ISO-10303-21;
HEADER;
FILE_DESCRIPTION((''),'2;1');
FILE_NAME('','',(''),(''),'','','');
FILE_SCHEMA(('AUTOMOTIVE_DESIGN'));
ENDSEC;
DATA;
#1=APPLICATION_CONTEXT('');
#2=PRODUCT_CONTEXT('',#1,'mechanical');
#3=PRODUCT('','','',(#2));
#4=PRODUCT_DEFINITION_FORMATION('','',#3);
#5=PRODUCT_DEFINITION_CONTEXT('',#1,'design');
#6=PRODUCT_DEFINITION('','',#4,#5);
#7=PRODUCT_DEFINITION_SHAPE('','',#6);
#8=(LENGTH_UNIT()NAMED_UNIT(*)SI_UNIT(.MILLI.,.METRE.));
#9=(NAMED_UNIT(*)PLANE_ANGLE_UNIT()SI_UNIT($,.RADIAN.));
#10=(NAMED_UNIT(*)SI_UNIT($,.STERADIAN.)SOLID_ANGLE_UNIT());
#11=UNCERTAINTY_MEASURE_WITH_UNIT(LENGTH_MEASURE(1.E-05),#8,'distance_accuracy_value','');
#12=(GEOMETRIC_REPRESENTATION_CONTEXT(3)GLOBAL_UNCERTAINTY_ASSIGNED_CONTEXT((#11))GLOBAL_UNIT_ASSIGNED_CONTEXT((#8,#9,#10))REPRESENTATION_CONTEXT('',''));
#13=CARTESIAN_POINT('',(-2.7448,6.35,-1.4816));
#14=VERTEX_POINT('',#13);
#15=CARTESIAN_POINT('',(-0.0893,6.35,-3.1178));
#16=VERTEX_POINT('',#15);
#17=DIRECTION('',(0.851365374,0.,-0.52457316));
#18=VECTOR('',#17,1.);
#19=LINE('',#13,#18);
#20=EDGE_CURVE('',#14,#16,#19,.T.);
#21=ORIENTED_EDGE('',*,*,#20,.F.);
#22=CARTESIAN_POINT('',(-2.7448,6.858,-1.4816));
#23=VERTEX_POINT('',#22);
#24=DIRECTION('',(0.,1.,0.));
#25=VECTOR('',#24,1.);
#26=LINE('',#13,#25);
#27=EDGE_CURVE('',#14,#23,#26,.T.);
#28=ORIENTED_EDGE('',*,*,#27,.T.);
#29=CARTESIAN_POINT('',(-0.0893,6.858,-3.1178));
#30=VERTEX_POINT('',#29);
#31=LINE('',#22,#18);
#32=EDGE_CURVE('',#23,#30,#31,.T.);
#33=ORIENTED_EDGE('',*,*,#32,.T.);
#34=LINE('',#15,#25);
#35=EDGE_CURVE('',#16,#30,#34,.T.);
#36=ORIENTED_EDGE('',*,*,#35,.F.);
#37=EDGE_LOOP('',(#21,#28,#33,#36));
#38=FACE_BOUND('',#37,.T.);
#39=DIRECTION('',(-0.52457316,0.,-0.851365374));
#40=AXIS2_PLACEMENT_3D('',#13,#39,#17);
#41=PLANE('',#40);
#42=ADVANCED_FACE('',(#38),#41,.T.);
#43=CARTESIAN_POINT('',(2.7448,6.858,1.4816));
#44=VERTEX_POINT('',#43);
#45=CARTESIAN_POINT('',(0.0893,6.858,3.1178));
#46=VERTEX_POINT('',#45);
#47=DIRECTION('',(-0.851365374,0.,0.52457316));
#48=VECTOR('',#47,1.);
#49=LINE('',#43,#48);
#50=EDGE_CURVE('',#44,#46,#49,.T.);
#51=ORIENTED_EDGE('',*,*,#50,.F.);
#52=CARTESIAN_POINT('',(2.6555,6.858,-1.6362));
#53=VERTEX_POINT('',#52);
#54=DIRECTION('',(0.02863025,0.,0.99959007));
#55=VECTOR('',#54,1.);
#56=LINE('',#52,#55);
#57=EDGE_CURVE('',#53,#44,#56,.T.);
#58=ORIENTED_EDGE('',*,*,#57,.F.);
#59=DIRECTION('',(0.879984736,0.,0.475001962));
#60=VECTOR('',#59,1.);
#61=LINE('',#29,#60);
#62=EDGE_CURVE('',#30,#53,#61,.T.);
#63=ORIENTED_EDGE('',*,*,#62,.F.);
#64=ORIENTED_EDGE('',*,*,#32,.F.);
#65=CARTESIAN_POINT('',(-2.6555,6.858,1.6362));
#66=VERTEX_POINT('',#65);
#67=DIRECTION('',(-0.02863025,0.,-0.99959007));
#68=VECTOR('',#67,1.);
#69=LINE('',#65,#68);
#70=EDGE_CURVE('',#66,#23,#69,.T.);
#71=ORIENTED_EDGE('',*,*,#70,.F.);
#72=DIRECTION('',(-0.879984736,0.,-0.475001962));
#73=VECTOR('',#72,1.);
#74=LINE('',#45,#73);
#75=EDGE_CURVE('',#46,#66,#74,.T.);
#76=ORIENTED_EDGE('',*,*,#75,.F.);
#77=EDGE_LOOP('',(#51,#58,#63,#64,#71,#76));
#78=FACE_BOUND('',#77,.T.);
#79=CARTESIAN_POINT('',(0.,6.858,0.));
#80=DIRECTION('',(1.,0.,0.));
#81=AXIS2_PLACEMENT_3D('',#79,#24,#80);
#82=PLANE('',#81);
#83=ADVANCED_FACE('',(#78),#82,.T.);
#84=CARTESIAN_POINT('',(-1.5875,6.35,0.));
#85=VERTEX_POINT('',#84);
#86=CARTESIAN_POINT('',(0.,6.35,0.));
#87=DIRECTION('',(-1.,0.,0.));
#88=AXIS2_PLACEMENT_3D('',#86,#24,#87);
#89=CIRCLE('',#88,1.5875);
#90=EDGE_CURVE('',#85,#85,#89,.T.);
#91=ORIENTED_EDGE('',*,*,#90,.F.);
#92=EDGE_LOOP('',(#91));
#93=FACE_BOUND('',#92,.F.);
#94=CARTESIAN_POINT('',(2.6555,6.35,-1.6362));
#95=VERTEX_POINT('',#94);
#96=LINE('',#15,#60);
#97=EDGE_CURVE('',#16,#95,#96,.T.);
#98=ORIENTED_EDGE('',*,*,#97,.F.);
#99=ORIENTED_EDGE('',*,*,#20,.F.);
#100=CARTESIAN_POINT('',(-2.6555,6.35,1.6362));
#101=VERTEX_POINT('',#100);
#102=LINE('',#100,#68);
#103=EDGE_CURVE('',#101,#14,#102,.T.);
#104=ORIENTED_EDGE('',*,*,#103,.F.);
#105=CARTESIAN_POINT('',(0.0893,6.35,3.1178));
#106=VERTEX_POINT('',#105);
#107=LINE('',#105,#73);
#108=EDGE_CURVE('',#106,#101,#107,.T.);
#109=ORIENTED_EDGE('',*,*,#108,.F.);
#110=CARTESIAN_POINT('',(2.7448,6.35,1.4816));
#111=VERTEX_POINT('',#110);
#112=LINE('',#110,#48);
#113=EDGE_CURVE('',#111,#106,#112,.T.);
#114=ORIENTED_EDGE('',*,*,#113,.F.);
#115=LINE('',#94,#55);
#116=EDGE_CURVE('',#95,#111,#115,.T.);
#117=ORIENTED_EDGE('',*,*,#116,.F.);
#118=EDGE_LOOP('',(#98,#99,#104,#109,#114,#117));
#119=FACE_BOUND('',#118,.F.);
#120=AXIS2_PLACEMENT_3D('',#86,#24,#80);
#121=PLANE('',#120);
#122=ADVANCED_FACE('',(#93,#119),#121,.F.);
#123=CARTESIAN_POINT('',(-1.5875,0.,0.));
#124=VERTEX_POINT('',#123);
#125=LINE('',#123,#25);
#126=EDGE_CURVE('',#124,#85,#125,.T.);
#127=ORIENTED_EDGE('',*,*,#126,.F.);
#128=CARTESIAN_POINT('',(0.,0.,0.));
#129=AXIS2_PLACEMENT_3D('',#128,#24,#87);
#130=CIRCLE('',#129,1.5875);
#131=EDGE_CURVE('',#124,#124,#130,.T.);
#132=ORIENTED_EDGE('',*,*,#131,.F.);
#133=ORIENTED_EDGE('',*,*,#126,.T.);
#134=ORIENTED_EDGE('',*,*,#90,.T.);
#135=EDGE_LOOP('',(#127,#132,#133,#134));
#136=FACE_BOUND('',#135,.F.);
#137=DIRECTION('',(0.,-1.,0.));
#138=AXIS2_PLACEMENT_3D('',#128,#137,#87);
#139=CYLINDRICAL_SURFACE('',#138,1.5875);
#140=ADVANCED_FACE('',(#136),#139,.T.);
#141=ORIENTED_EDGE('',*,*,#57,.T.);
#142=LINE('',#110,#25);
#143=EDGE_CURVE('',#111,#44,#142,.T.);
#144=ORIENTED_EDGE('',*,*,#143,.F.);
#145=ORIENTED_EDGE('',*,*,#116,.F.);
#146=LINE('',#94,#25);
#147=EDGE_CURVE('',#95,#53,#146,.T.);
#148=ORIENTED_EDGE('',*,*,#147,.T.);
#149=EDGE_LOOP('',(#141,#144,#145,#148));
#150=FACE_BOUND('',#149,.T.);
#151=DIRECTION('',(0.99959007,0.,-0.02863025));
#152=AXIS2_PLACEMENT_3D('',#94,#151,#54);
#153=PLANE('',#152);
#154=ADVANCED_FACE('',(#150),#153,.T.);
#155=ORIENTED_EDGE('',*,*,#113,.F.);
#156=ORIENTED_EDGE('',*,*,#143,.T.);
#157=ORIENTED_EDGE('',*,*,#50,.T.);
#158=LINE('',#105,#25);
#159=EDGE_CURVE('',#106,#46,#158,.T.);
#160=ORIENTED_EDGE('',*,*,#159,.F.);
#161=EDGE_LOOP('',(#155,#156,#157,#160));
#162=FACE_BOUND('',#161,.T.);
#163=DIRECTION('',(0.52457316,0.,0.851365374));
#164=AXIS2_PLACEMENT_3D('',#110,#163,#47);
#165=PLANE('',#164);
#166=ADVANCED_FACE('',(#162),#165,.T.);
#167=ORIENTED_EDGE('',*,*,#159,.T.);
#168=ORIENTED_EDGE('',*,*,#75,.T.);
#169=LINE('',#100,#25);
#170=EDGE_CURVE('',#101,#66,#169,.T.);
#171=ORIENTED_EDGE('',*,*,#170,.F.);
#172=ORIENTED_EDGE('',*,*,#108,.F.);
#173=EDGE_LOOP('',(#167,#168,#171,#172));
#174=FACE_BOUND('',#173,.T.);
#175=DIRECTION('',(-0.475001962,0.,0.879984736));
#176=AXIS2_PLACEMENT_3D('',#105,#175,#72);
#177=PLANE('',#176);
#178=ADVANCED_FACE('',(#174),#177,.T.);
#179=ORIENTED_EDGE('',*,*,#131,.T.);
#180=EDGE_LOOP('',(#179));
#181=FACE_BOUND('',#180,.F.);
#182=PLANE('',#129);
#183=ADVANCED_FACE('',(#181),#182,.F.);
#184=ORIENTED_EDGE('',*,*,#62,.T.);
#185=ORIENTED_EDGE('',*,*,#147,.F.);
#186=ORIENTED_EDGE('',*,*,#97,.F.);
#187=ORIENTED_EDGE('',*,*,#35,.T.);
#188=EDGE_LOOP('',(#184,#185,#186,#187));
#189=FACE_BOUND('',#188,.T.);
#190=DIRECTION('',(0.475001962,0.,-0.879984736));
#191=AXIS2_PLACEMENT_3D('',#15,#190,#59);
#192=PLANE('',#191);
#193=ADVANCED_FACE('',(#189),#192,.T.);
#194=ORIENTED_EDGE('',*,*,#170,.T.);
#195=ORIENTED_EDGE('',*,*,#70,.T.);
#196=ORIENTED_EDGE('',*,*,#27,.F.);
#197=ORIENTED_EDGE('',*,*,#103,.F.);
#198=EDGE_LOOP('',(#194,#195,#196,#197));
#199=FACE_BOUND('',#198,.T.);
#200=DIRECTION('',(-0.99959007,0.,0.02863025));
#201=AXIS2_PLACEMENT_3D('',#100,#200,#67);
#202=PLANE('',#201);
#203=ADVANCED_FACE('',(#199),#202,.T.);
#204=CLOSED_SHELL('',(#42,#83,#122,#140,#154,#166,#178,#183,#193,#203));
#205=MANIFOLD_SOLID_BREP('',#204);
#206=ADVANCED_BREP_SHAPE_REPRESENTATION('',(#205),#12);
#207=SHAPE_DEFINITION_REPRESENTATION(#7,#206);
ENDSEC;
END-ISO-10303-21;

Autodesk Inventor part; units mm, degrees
ref_plane "YZ Plane" through (0, 0, 0) normal (1, 0, 0) x (0, 1, 0)
ref_plane "XZ Plane" through (0, 0, 0) normal (0, 1, 0) x (-1, 0, 0)
ref_plane "XY Plane" through (0, 0, 0) normal (0, 0, 1) x (1, 0, 0)
sketch "Sketch1" plane through (0, 0, 0) normal (0, 1, 0) x (-1, 0, 0)
  circle A0 centre (0, 0) radius 6.35
  circle A1 centre (0, 0) radius 1.5875
  dimension "d0" = 12.7
  dimension "d1" = 3.175
extrude "Extrusion1" add sketch "Sketch1" along normal blind 6.35 contours A1
thread "Thread1" size "5-40 UNC" class "2A" standard "ANSI Unified Screw Threads" full length
sketch "Sketch3" plane through (0, 6.35, 0) normal (0, 1, 0) x (1, 0, 0)
  line L0 (-2.6555, -1.6362) -> (-2.7448, 1.4816)
  line L1 (-2.7448, 1.4816) -> (-0.0893, 3.1178)
  line L2 (-0.0893, 3.1178) -> (2.6555, 1.6362)
  line L3 (2.6555, 1.6362) -> (2.7448, -1.4816)
  line L4 (2.7448, -1.4816) -> (0.0893, -3.1178)
  line L5 (0.0893, -3.1178) -> (-2.6555, -1.6362)
  point P0 (0, 0)
  point P1 (0, 0)
extrude "Extrusion3" add sketch "Sketch3" along normal blind 0.508
properties part number ".125bolt"
